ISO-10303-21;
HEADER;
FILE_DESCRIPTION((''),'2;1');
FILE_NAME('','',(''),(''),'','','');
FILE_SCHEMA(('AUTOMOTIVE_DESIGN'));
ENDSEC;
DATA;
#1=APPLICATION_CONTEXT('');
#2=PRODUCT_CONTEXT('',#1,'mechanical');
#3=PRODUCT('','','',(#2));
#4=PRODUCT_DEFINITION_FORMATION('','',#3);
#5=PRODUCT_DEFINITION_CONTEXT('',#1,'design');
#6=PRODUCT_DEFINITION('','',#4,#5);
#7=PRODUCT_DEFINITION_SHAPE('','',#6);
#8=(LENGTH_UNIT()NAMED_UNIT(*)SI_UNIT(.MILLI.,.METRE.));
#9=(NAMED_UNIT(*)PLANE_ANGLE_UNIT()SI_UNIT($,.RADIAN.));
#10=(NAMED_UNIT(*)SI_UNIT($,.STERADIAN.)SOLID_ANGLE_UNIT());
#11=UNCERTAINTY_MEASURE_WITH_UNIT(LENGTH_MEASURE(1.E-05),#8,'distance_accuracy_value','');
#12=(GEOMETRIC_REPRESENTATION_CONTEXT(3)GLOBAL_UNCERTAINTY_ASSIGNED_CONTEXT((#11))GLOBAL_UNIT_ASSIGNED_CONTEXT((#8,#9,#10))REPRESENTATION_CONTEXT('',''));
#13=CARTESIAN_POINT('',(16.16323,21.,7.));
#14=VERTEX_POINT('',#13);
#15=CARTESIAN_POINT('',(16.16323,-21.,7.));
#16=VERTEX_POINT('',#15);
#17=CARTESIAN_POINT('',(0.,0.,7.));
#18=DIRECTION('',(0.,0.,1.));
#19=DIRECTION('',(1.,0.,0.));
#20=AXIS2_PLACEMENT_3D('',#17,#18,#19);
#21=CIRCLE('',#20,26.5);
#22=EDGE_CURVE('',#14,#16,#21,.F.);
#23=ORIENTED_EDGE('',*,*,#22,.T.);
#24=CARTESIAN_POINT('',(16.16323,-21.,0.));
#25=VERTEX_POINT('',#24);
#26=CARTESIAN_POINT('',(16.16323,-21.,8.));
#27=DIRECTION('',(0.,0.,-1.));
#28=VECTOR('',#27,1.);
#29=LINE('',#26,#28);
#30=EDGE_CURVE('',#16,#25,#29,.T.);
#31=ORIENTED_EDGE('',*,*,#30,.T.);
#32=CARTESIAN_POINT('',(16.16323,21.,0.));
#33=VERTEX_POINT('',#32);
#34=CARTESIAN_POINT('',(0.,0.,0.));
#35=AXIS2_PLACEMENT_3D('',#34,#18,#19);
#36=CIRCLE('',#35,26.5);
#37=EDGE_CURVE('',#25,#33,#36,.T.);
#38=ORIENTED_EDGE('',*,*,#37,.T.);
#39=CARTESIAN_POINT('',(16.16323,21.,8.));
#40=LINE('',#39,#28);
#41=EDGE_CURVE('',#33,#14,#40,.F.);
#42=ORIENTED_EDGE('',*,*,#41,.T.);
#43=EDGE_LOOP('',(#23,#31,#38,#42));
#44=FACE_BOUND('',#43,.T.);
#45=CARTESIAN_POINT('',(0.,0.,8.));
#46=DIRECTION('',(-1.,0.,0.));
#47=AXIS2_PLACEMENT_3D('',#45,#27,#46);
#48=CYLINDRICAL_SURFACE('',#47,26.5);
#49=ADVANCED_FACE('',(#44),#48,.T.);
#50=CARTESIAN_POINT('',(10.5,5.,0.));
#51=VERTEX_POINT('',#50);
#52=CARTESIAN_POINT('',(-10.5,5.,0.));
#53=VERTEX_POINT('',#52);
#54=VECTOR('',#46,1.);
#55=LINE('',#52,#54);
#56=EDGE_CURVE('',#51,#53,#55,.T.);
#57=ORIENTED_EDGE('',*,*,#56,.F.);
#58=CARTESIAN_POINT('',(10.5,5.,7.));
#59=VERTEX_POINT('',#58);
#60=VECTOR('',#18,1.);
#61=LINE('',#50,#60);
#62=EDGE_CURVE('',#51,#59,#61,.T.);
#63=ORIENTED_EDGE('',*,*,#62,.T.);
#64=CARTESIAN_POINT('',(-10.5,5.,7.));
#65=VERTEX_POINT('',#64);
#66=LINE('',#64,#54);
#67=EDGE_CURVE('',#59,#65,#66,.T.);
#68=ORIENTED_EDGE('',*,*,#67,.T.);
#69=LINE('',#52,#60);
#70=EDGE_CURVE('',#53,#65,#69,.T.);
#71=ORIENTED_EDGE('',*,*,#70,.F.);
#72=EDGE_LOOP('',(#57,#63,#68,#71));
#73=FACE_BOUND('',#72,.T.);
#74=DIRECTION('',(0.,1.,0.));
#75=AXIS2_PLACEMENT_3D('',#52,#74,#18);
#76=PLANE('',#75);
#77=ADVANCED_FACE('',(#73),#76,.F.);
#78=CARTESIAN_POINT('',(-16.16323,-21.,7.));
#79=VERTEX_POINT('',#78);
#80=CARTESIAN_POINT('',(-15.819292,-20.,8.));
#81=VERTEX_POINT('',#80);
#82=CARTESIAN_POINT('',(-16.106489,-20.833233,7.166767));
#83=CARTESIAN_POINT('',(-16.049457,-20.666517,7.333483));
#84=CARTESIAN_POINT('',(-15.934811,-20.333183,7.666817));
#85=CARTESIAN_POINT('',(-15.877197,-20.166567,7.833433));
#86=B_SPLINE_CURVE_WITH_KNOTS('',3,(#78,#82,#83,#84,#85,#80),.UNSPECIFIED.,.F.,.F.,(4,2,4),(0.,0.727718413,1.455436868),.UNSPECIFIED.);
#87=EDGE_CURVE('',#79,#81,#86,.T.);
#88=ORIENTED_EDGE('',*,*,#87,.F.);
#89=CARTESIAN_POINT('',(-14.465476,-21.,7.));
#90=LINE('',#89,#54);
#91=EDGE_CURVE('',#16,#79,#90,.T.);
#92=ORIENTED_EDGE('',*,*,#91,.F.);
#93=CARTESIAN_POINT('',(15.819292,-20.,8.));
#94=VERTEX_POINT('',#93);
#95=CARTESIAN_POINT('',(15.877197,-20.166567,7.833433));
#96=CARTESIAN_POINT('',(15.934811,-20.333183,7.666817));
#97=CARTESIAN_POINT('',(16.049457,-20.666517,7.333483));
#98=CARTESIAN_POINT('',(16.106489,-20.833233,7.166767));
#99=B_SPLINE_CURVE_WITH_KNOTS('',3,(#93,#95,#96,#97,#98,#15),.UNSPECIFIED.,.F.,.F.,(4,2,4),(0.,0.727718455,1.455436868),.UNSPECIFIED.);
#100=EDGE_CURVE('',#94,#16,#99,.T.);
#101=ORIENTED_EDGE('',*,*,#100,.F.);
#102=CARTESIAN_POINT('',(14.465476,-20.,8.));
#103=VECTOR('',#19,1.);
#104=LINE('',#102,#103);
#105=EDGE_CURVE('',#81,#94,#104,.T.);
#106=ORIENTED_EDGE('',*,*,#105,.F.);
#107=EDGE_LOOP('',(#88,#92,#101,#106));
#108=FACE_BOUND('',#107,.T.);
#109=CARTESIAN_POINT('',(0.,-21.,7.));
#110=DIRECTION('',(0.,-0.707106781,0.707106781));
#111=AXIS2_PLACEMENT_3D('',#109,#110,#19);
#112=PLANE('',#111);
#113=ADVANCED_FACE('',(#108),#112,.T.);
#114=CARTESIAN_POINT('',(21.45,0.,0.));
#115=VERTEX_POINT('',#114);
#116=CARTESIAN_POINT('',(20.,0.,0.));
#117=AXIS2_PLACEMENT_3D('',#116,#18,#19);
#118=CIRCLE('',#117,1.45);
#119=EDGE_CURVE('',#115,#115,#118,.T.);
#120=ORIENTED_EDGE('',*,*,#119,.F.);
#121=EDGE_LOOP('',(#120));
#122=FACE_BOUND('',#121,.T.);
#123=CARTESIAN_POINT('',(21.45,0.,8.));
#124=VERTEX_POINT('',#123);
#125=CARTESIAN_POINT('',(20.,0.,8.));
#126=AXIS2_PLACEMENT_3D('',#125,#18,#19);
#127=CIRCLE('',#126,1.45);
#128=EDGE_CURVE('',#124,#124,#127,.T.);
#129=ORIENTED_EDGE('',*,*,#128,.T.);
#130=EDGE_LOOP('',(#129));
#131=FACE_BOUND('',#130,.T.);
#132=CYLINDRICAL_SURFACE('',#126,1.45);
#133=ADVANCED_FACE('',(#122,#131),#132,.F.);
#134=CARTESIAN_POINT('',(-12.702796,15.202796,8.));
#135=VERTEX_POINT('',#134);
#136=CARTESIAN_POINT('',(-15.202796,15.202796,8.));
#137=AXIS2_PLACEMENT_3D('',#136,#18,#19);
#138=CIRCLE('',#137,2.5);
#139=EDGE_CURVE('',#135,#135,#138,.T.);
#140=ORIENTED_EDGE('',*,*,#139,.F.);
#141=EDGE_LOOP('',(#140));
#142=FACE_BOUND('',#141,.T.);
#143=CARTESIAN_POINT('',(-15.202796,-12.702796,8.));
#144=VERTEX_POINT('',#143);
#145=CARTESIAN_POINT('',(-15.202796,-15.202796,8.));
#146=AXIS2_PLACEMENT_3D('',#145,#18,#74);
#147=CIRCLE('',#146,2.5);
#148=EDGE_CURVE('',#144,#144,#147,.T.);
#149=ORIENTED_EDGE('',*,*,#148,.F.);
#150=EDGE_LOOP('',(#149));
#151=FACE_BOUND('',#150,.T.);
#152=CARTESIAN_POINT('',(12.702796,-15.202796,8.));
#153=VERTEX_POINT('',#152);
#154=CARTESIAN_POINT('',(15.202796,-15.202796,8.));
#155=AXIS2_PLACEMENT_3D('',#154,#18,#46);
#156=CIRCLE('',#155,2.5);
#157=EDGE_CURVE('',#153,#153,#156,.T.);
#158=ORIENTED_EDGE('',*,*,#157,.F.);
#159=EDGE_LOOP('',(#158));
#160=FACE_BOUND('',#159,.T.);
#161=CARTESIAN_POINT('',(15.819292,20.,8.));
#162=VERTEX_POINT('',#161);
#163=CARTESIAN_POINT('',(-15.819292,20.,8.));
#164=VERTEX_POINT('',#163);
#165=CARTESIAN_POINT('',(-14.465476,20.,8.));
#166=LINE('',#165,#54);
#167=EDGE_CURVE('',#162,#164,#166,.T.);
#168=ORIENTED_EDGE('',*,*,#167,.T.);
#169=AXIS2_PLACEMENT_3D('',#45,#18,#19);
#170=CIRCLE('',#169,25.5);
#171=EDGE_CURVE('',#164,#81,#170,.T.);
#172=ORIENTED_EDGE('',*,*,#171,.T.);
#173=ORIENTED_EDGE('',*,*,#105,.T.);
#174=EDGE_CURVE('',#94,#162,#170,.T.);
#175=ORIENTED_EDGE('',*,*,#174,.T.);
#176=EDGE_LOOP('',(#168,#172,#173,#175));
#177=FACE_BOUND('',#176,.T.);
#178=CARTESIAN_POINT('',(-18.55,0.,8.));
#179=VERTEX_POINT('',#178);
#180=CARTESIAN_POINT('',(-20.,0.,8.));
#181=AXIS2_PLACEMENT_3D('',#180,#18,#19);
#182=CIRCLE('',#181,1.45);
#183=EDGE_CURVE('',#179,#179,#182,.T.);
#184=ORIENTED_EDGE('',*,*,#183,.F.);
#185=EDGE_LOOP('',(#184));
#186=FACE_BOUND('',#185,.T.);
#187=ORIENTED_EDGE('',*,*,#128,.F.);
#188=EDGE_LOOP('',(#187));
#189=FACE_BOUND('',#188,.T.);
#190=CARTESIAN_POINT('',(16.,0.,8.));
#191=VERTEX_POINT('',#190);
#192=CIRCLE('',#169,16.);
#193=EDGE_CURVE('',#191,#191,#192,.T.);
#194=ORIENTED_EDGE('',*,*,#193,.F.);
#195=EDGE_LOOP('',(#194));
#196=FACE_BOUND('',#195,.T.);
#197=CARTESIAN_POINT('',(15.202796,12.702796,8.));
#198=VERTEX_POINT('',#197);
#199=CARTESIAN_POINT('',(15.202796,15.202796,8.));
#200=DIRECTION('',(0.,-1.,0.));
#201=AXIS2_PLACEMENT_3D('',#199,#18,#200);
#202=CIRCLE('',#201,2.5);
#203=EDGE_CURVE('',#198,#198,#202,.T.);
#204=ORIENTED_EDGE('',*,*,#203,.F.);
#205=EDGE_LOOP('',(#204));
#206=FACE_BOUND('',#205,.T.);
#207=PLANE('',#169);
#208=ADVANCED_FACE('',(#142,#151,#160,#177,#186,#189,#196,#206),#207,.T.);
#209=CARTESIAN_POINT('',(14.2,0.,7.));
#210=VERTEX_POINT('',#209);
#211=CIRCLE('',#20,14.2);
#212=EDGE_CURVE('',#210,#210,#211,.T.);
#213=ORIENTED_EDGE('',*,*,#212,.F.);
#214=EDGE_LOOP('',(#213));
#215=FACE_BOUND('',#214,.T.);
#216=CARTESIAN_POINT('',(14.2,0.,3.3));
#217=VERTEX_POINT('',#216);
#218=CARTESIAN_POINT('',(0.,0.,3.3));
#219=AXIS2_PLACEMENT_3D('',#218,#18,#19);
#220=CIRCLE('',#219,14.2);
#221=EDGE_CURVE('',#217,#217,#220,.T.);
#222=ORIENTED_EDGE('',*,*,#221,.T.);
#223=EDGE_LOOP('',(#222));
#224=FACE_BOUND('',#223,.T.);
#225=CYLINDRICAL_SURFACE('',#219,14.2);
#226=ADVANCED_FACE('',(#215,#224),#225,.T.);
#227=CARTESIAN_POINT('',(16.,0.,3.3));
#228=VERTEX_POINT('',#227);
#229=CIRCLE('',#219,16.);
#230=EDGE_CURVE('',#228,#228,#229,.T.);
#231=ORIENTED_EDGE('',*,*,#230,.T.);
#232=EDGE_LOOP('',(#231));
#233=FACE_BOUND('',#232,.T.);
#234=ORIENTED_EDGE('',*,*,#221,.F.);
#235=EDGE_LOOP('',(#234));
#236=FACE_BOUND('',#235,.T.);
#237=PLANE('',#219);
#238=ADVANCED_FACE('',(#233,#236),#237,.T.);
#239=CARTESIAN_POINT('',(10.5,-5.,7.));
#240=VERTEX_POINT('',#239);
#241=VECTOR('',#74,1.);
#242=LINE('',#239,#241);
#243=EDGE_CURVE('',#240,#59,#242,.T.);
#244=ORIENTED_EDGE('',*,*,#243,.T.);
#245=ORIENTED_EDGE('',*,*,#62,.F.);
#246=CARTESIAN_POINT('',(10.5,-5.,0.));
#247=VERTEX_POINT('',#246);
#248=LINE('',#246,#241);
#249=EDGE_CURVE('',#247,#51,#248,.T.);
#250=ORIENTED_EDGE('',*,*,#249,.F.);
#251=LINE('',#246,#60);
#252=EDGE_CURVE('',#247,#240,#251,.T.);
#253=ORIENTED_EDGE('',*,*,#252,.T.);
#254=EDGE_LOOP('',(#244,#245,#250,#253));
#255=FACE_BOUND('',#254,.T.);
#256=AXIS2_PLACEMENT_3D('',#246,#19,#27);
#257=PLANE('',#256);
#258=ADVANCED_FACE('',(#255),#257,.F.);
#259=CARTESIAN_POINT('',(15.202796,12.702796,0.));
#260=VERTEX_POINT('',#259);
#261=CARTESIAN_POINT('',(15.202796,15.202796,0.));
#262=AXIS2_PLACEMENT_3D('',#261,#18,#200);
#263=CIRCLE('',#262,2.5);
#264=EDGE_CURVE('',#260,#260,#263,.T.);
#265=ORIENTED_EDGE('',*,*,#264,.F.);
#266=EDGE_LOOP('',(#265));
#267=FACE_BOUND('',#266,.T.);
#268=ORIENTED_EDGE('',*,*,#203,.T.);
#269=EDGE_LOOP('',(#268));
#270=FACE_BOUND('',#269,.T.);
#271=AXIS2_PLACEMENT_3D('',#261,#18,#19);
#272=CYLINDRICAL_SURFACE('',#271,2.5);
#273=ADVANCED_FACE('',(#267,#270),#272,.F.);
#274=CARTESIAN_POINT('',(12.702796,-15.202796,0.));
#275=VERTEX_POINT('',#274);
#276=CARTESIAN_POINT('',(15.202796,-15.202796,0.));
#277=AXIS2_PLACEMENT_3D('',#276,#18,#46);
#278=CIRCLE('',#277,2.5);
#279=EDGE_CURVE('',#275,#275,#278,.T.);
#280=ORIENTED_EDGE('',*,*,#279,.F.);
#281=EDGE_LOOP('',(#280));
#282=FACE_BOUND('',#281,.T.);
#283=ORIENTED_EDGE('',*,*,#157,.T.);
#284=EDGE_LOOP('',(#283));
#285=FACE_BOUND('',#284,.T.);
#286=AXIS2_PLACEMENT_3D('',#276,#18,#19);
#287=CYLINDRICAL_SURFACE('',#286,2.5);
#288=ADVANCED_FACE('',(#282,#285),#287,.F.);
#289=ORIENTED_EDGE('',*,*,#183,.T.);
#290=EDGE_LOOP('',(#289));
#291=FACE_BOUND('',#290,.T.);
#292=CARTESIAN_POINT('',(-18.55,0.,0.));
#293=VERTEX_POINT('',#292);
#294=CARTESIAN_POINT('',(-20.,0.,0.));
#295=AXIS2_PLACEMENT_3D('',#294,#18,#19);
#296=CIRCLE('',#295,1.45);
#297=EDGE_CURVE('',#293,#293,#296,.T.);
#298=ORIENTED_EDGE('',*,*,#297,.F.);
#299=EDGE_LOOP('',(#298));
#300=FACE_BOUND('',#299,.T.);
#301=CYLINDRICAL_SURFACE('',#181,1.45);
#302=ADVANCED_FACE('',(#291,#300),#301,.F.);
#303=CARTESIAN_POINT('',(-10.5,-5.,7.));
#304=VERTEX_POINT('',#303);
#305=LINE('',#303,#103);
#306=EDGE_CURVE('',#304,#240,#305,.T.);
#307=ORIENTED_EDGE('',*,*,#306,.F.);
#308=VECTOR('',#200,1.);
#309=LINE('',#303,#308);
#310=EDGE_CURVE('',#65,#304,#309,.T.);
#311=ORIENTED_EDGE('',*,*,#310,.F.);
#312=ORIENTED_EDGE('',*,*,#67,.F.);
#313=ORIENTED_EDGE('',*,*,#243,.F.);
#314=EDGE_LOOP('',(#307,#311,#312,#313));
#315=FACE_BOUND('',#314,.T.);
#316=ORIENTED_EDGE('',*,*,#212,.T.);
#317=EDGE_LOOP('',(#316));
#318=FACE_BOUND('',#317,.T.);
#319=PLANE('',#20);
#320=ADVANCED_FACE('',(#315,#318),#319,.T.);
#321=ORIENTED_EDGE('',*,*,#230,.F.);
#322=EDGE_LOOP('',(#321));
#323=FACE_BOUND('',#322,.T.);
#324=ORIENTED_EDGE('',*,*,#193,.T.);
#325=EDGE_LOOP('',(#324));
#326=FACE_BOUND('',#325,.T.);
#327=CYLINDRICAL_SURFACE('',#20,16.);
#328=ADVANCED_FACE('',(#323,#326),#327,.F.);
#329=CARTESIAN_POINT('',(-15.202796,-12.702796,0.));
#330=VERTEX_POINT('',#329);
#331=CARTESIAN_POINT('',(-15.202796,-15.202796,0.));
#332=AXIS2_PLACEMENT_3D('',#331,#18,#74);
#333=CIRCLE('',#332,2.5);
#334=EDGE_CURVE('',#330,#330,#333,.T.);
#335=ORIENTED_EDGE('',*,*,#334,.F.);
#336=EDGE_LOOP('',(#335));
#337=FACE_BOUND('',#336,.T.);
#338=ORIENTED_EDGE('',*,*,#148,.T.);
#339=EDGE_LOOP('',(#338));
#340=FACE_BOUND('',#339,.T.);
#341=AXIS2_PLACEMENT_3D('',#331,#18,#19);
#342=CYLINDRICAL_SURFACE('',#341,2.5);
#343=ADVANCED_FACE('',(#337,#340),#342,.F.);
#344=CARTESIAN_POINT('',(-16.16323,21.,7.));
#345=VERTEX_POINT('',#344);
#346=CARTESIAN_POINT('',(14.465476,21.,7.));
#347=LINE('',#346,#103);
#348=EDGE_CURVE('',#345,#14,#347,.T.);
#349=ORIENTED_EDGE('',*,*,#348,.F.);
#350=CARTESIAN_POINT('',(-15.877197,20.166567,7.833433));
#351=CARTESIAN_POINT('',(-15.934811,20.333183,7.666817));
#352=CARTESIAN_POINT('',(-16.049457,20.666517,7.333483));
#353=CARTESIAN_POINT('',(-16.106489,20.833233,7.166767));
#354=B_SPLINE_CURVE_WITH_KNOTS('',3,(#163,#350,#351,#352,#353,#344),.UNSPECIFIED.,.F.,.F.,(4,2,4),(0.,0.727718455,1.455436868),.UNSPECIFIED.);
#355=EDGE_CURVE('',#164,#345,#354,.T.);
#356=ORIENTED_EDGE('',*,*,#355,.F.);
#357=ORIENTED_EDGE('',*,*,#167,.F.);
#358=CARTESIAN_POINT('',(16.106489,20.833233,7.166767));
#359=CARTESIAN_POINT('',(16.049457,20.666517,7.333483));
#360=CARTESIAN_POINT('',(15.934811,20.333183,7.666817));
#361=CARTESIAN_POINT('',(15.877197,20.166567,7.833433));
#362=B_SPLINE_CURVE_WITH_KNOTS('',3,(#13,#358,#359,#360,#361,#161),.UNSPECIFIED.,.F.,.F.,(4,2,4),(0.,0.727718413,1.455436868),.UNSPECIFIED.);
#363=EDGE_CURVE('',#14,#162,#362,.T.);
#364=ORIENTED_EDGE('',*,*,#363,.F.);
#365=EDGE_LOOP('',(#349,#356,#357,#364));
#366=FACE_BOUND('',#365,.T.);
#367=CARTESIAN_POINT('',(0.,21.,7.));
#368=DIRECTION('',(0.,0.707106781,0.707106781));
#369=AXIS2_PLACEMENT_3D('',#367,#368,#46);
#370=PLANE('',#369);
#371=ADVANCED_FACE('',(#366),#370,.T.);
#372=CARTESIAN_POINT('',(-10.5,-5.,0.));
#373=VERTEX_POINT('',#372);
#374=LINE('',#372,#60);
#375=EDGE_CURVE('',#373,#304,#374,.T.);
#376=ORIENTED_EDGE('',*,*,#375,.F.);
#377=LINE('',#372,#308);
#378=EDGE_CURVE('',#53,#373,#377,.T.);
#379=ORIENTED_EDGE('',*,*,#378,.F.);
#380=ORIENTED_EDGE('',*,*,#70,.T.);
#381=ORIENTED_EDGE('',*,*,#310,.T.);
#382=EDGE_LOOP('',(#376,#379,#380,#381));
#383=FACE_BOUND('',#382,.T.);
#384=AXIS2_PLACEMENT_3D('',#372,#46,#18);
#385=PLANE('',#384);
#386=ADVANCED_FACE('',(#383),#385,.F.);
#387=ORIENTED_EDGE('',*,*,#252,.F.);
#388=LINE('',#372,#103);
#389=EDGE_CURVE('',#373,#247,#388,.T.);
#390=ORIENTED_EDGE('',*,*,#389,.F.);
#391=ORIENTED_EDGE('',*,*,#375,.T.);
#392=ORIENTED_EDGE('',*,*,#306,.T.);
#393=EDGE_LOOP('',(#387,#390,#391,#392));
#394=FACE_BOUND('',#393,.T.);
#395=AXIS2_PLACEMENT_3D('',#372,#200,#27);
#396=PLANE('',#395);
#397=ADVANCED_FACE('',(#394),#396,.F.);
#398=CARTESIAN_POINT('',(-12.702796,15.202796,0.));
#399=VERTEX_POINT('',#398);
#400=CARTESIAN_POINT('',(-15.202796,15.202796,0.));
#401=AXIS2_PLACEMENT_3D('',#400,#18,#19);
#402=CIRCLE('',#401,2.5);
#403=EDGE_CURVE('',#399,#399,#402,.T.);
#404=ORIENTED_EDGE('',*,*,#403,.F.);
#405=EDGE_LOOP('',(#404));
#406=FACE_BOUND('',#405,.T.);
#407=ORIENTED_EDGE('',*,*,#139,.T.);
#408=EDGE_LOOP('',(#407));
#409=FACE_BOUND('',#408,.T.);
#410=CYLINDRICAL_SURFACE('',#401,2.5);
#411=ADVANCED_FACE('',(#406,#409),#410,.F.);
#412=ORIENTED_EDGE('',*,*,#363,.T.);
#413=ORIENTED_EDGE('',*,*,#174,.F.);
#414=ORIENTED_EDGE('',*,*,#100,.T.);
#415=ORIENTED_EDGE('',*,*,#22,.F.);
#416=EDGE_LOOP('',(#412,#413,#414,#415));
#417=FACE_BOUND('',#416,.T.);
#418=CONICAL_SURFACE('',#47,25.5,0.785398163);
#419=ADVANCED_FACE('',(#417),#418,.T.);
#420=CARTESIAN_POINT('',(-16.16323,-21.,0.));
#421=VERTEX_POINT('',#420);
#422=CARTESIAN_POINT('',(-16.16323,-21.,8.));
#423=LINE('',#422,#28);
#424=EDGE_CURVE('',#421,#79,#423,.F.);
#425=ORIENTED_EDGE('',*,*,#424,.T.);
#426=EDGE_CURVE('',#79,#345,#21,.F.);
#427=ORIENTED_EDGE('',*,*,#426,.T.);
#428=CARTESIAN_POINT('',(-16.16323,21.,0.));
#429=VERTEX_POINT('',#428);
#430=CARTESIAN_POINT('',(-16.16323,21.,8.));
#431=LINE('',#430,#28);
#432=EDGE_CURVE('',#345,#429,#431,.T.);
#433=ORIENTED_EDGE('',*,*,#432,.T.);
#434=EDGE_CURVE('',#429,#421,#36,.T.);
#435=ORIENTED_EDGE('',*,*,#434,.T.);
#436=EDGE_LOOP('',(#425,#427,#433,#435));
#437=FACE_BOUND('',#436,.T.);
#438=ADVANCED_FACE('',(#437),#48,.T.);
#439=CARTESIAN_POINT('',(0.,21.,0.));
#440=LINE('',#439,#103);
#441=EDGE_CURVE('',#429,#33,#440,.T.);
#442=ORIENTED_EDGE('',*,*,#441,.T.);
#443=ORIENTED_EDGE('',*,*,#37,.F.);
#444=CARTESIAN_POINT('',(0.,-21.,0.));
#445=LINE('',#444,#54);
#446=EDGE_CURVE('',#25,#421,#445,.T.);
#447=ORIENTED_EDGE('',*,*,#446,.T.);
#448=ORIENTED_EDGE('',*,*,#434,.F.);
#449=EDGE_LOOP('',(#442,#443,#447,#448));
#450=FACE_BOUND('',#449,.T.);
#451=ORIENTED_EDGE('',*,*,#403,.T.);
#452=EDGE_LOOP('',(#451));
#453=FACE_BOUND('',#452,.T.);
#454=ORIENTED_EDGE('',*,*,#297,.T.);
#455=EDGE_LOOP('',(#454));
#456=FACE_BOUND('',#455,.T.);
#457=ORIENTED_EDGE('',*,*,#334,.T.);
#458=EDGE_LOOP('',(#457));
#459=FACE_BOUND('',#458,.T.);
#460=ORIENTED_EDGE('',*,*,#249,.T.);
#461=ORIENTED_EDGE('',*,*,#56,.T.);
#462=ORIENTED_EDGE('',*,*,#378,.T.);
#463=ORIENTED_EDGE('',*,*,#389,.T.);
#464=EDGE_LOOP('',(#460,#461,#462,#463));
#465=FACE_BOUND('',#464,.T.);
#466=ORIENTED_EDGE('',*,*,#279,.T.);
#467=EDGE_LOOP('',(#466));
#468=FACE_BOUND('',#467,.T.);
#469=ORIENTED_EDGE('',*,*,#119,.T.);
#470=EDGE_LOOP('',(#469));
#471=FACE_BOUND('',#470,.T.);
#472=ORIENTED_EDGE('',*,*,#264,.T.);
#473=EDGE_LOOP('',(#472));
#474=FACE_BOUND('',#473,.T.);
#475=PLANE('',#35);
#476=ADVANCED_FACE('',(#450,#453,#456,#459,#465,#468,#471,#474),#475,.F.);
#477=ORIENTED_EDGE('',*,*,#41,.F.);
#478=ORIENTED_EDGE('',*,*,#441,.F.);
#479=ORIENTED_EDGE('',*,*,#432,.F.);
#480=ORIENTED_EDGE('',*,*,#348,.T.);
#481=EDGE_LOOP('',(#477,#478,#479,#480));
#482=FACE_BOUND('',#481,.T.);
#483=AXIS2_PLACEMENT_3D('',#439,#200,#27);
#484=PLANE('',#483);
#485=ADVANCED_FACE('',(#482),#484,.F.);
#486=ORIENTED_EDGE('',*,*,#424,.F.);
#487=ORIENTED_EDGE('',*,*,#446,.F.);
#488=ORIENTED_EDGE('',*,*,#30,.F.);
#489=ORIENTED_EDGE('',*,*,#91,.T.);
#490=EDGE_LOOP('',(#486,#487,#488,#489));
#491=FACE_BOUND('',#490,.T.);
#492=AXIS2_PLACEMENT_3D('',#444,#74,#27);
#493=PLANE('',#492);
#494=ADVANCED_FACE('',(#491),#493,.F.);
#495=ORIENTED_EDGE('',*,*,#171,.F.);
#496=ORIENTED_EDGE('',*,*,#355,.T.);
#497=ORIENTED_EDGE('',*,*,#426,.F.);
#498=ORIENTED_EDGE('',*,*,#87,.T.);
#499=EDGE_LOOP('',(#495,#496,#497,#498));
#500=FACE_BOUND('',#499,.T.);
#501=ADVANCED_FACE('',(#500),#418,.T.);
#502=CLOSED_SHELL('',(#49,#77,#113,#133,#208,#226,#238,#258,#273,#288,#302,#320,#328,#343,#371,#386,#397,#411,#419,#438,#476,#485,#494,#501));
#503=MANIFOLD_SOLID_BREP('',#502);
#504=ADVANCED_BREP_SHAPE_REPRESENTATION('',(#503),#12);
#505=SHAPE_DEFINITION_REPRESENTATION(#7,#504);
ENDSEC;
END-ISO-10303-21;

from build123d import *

# Parameters (mm, degrees)
SKETCH_1_R               = 26.5
EXTRUDE_1_DEPTH          = 8
SKETCH_2_R               = 16
CUT_EXTRUDE_1_DEPTH      = 1
SKETCH_3_R               = 16
SKETCH_3_R_2             = 14.2
CUT_EXTRUDE_2_DEPTH      = 3.7
SKETCH_4_W               = 21
SKETCH_4_H               = 10
CUT_EXTRUDE_3_DEPTH      = 8
SKETCH_5_R               = 2.5
CUT_EXTRUDE_4_DEPTH      = 9
PATTERN_CIRCULAR_1_COUNT = 4
CHAMFER_1_SIZE           = 1
SKETCH_6_W               = 30
SKETCH_6_H               = 30
M3_5X0_61_D              = 2.9
CHAMFER_2_SIZE           = 1


with BuildPart() as part:
    # Эскиз1 → Бобышка-Вытянуть1 (new body)
    with BuildSketch(Plane.XY):
        Circle(SKETCH_1_R)
    extrude(amount=EXTRUDE_1_DEPTH)

    # Эскиз2 → Вырез-Вытянуть1 (cut)
    with BuildSketch(Plane.XY.offset(8)):
        Circle(SKETCH_2_R)
    extrude(amount=-CUT_EXTRUDE_1_DEPTH, mode=Mode.SUBTRACT)

    # Эскиз3 → Вырез-Вытянуть2 (cut)
    with BuildSketch(Plane.XY.offset(7)):
        Circle(SKETCH_3_R)
        Circle(SKETCH_3_R_2, mode=Mode.SUBTRACT)
    extrude(amount=-CUT_EXTRUDE_2_DEPTH, mode=Mode.SUBTRACT)

    # Эскиз4 → Вырез-Вытянуть3 (cut, through all)
    with BuildSketch(Plane.XY.offset(7)):
        Rectangle(SKETCH_4_W, SKETCH_4_H)
    extrude(amount=-CUT_EXTRUDE_3_DEPTH, mode=Mode.SUBTRACT)

    # Эскиз5 → Вырез-Вытянуть4 (cut, through all)
    with BuildSketch(Plane.XY.offset(8)):
        with Locations((-15.202795796, 15.202795796)):
            Circle(SKETCH_5_R)
    cut_extrude_4 = extrude(amount=-CUT_EXTRUDE_4_DEPTH, mode=Mode.SUBTRACT)

    # Круговой массив1: Вырез-Вытянуть4 ×4 about axis
    pattern_circular_1_axis = Axis((0, 0, 0), (0, 0, 1))
    for i in range(1, PATTERN_CIRCULAR_1_COUNT):
        add(cut_extrude_4.rotate(pattern_circular_1_axis, i * 360 / PATTERN_CIRCULAR_1_COUNT), mode=Mode.SUBTRACT)

    # Фаска1
    chamfer_1_edges = [part.edges().sort_by_distance(p)[0] for p in [
        (-26.5, 0, 8),
    ]]
    chamfer(chamfer_1_edges, length=CHAMFER_1_SIZE)

    # Эскиз6 → Вырез-Повернуть1 (revolve, cut)
    with BuildSketch(Plane.XY):
        with Locations((15, 36)):
            Rectangle(SKETCH_6_W, SKETCH_6_H)
    cut_revolve_1 = revolve(axis=Axis((0, 0, 0), (0, 1, 0)), mode=Mode.SUBTRACT)

    # Зеркальное отражение1: Вырез-Повернуть1 across plane
    add(cut_revolve_1.mirror(Plane.ZX), mode=Mode.SUBTRACT)

    # Отверстие обработанное метчиком M3.5x0.61 (through all)
    with Locations(Plane(origin=(-20, 0, 8), x_dir=(1, 0, 0), z_dir=(0, 0, 1))):
        with Locations((0, 0)):
            m3_5x0_61 = Hole(M3_5X0_61_D / 2)

    # Зеркальное отражение2: Отверстие обработанное метчиком M3.5x0.61 across plane
    add(m3_5x0_61.mirror(Plane(origin=(0, 0, 0), x_dir=(0, 0, 1), z_dir=(1, 0, 0))), mode=Mode.SUBTRACT)

    # Фаска2
    chamfer_2_edges = [part.edges().sort_by_distance(p)[0] for p in [
        (0, -21, 8),
        (0, 21, 8),
    ]]
    chamfer(chamfer_2_edges, length=CHAMFER_2_SIZE)


solid = part.part
